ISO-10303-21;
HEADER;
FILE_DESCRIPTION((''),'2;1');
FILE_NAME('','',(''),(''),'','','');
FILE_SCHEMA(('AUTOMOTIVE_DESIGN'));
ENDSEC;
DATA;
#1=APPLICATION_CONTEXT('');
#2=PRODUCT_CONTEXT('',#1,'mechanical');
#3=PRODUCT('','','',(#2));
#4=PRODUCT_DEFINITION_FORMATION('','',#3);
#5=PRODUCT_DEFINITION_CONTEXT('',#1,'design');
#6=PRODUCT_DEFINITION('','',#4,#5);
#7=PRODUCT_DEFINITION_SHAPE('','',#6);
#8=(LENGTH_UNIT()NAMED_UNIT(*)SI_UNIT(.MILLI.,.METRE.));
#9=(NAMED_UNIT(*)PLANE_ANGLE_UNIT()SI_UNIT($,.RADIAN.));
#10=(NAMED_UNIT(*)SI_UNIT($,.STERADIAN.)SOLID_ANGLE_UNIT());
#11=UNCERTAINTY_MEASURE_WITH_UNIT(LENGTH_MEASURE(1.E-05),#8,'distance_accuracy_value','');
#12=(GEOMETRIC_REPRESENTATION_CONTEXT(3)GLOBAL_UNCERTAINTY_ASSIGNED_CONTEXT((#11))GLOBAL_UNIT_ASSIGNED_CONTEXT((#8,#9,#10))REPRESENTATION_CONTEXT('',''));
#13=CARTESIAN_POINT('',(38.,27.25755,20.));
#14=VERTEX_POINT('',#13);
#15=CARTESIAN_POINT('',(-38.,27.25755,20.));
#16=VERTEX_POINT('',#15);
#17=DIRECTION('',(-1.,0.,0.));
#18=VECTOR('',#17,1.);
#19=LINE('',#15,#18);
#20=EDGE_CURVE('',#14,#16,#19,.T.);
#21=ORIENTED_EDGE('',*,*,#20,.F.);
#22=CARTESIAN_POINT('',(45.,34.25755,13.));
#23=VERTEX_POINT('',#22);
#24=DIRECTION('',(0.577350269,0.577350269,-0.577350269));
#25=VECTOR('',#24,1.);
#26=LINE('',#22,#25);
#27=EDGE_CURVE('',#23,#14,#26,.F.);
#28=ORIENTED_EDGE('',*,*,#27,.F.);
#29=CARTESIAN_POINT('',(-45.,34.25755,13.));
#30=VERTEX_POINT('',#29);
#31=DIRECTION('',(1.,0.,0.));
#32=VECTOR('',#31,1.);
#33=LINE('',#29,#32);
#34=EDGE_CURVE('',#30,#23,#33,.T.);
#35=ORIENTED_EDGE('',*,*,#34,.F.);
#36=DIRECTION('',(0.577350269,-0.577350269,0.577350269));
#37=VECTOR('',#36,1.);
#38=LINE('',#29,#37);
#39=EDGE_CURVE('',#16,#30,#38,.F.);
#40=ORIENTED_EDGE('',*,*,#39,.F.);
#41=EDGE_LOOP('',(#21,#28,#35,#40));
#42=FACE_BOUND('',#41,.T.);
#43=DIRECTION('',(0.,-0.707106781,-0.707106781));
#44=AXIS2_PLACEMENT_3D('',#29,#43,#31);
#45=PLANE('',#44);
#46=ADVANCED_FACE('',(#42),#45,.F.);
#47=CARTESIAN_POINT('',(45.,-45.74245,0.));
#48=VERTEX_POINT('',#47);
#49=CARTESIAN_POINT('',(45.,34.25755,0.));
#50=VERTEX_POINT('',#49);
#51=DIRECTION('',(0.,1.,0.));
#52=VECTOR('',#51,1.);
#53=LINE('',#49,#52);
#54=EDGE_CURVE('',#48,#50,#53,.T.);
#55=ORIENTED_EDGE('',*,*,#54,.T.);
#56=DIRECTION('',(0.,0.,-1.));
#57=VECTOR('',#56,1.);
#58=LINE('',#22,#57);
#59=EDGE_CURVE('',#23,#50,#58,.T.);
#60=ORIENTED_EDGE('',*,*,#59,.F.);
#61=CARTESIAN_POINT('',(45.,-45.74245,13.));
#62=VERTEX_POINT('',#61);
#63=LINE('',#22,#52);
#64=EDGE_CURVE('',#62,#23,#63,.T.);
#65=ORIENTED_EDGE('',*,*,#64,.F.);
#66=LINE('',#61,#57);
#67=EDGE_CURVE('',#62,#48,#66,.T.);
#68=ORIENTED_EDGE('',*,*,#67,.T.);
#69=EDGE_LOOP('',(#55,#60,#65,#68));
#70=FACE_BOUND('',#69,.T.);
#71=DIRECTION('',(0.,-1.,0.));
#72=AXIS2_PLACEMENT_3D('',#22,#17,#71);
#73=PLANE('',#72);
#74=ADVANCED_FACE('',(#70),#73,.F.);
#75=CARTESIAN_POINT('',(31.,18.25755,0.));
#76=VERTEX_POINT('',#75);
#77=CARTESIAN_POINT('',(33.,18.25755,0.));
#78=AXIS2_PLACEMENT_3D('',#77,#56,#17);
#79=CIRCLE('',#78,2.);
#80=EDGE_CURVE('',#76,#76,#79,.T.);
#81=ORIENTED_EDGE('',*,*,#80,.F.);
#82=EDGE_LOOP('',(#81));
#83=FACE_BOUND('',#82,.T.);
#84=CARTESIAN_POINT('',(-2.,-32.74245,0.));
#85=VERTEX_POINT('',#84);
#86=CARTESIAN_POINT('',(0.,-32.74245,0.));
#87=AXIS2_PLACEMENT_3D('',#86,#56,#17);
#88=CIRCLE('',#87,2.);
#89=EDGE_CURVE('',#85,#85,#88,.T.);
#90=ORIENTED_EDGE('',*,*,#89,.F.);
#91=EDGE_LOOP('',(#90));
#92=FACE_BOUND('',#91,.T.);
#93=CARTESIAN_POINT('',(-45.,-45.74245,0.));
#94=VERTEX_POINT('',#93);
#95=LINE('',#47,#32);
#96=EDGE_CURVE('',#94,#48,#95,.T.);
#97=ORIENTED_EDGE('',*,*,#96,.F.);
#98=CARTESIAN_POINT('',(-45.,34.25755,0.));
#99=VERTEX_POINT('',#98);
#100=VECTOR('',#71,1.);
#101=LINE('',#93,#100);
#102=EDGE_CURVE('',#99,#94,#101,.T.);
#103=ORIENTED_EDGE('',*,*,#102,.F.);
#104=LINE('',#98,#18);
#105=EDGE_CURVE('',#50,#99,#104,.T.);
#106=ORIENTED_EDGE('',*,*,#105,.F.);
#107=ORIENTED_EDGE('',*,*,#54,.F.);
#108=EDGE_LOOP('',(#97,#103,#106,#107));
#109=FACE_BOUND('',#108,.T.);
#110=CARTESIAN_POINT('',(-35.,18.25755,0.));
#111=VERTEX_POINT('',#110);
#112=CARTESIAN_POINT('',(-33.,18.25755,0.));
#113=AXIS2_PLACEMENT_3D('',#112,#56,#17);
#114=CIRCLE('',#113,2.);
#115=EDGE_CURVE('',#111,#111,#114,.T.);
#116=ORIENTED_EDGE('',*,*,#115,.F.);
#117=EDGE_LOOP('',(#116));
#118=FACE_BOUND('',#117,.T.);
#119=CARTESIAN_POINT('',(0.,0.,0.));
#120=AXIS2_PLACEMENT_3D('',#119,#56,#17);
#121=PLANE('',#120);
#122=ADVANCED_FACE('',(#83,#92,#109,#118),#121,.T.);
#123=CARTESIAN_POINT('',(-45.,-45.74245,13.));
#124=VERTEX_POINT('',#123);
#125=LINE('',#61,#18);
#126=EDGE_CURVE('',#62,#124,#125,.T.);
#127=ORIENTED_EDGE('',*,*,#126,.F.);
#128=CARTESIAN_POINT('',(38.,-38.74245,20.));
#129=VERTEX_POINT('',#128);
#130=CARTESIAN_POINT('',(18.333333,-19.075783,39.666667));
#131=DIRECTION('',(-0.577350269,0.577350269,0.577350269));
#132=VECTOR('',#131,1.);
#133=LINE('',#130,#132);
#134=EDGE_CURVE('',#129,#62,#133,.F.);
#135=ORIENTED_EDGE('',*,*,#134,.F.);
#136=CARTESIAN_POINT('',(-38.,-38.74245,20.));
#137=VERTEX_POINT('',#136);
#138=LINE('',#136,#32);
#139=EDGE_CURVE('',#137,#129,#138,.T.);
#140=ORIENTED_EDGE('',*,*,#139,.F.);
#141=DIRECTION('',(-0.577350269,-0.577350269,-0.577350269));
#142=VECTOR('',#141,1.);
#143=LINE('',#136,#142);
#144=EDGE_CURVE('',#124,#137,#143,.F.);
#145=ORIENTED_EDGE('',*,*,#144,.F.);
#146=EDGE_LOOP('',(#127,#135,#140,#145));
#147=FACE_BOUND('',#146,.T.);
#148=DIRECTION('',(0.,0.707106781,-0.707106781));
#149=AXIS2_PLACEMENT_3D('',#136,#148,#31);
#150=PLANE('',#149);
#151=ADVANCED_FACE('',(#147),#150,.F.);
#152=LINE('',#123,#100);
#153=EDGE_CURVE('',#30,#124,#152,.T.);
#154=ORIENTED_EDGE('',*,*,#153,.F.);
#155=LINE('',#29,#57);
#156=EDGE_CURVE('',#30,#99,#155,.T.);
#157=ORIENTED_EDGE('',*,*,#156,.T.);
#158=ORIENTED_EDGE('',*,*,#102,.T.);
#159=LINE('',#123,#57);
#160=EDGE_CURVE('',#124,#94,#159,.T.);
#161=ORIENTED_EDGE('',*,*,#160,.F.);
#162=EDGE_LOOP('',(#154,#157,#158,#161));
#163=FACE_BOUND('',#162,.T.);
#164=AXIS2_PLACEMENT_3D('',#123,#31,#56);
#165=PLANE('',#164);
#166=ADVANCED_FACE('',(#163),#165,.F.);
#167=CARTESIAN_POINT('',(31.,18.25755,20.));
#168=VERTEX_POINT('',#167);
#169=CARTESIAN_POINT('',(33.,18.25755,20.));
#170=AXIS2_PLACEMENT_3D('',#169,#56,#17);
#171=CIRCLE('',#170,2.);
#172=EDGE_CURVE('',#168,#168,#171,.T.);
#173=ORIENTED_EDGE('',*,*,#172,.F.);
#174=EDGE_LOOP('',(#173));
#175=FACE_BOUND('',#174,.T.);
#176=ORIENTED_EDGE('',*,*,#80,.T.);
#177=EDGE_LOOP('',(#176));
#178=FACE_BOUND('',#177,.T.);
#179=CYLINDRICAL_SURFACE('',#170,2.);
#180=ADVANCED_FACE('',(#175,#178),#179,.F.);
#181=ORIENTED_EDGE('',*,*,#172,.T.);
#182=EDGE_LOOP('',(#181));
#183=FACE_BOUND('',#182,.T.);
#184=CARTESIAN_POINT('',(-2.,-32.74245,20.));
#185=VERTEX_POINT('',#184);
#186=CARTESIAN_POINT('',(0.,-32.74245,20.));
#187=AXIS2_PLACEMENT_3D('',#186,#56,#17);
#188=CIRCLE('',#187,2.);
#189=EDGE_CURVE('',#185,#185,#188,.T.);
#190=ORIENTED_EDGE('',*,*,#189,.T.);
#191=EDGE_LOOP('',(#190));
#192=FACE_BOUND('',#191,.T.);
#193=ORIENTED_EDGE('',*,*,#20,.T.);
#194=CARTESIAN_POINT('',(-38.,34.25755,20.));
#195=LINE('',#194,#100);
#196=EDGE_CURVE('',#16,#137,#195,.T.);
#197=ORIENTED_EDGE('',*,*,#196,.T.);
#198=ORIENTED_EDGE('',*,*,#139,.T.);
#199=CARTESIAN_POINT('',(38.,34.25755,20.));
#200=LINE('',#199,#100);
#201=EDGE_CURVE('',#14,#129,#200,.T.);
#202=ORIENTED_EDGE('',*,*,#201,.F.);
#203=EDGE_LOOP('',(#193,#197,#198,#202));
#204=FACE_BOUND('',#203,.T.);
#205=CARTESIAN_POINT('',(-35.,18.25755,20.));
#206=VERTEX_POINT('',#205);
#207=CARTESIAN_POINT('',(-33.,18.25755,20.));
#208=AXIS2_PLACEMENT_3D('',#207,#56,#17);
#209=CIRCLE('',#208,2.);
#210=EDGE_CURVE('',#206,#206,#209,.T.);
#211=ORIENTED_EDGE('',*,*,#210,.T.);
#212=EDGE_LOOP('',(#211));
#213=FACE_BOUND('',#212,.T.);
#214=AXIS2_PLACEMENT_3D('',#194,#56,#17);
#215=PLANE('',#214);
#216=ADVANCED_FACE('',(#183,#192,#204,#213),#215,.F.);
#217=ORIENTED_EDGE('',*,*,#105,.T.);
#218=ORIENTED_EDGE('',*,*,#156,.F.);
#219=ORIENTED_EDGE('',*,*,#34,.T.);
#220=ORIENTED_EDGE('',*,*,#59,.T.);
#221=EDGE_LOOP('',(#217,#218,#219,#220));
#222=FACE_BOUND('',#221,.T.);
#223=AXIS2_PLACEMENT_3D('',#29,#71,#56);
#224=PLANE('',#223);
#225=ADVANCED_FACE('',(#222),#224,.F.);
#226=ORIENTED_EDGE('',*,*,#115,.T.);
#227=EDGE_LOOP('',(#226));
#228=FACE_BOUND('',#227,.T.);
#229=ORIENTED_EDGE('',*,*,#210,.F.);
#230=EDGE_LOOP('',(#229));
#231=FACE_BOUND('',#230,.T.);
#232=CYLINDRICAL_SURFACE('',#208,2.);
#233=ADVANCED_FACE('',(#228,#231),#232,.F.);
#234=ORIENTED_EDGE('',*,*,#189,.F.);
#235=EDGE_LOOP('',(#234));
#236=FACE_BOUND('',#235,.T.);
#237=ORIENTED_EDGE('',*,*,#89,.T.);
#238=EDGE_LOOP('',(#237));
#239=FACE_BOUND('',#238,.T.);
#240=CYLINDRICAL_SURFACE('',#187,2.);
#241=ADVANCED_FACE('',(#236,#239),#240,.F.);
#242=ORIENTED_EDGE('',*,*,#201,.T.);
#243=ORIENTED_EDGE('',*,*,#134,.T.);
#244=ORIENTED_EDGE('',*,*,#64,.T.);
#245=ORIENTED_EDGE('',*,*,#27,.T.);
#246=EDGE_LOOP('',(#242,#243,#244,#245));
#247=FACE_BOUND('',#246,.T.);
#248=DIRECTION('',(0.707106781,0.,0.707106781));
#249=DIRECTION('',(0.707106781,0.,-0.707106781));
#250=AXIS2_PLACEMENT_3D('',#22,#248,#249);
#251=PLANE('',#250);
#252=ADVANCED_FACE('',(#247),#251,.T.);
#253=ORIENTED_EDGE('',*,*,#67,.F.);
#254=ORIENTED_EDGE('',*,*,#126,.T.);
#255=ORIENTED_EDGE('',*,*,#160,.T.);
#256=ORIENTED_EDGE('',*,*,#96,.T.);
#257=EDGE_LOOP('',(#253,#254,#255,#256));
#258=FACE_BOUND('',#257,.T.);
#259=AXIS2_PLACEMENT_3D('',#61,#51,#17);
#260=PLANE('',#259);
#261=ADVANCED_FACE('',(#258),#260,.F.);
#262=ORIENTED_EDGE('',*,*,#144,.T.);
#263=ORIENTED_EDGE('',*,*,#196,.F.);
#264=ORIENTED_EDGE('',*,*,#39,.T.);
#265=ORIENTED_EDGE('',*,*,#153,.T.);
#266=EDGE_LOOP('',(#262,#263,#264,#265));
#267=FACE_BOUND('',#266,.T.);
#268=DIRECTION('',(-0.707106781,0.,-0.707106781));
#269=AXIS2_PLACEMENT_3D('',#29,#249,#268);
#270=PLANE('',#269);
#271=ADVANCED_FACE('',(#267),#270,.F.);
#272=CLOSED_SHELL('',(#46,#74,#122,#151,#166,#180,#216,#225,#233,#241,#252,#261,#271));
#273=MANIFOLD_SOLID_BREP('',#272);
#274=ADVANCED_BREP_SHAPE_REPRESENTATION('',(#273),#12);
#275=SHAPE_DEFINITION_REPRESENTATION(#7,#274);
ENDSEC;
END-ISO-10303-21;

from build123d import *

# Parameters (mm, degrees)
SKETCH5_W           = 90
SKETCH5_H           = 80
BOSS_EXTRUDE4_DEPTH = 13
BOSS_EXTRUDE5_DEPTH = 80
CHAMFER1_SIZE       = 7
SKETCH13_R          = 2
CUT_EXTRUDE4_DEPTH  = 20
SKETCH14_R          = 2
CUT_EXTRUDE8_DEPTH  = 20


with BuildPart() as part:
    # Sketch5 → Boss-Extrude4 (new body)
    with BuildSketch(Plane.XY):
        with Locations((0, -5.742449829)):
            Rectangle(SKETCH5_W, SKETCH5_H)
    extrude(amount=BOSS_EXTRUDE4_DEPTH)

    # Sketch6 → Boss-Extrude5 (add, through all)
    with BuildSketch(Plane.XZ.offset(45.742449829)):
        Polygon((-45, 13), (-38, 20), (38, 20), (45, 13), (45, 0), (-45, 0), align=None)
    extrude(amount=-BOSS_EXTRUDE5_DEPTH)

    # Chamfer1
    chamfer1_edges = [part.edges().sort_by_distance(p)[0] for p in [
        (0, -45.742449829, 20),
        (0, 34.257550171, 20),
    ]]
    chamfer(chamfer1_edges, length=CHAMFER1_SIZE)

    # Sketch13 → Cut-Extrude4 (cut)
    with BuildSketch(Plane(origin=(0, 0, 0), x_dir=(-1, 0, 0), z_dir=(0, 0, -1))):
        with Locations((0, -32.742449829)):
            Circle(SKETCH13_R)
    extrude(amount=-CUT_EXTRUDE4_DEPTH, mode=Mode.SUBTRACT)

    # Sketch14 → Cut-Extrude8 (cut)
    with BuildSketch(Plane(origin=(0, 0, 0), x_dir=(-1, 0, 0), z_dir=(0, 0, -1))):
        with Locations((-33, 18.257550171)):
            Circle(SKETCH14_R)
        with Locations((33, 18.257550171)):
            Circle(SKETCH14_R)
    extrude(amount=-CUT_EXTRUDE8_DEPTH, mode=Mode.SUBTRACT)


solid = part.part
